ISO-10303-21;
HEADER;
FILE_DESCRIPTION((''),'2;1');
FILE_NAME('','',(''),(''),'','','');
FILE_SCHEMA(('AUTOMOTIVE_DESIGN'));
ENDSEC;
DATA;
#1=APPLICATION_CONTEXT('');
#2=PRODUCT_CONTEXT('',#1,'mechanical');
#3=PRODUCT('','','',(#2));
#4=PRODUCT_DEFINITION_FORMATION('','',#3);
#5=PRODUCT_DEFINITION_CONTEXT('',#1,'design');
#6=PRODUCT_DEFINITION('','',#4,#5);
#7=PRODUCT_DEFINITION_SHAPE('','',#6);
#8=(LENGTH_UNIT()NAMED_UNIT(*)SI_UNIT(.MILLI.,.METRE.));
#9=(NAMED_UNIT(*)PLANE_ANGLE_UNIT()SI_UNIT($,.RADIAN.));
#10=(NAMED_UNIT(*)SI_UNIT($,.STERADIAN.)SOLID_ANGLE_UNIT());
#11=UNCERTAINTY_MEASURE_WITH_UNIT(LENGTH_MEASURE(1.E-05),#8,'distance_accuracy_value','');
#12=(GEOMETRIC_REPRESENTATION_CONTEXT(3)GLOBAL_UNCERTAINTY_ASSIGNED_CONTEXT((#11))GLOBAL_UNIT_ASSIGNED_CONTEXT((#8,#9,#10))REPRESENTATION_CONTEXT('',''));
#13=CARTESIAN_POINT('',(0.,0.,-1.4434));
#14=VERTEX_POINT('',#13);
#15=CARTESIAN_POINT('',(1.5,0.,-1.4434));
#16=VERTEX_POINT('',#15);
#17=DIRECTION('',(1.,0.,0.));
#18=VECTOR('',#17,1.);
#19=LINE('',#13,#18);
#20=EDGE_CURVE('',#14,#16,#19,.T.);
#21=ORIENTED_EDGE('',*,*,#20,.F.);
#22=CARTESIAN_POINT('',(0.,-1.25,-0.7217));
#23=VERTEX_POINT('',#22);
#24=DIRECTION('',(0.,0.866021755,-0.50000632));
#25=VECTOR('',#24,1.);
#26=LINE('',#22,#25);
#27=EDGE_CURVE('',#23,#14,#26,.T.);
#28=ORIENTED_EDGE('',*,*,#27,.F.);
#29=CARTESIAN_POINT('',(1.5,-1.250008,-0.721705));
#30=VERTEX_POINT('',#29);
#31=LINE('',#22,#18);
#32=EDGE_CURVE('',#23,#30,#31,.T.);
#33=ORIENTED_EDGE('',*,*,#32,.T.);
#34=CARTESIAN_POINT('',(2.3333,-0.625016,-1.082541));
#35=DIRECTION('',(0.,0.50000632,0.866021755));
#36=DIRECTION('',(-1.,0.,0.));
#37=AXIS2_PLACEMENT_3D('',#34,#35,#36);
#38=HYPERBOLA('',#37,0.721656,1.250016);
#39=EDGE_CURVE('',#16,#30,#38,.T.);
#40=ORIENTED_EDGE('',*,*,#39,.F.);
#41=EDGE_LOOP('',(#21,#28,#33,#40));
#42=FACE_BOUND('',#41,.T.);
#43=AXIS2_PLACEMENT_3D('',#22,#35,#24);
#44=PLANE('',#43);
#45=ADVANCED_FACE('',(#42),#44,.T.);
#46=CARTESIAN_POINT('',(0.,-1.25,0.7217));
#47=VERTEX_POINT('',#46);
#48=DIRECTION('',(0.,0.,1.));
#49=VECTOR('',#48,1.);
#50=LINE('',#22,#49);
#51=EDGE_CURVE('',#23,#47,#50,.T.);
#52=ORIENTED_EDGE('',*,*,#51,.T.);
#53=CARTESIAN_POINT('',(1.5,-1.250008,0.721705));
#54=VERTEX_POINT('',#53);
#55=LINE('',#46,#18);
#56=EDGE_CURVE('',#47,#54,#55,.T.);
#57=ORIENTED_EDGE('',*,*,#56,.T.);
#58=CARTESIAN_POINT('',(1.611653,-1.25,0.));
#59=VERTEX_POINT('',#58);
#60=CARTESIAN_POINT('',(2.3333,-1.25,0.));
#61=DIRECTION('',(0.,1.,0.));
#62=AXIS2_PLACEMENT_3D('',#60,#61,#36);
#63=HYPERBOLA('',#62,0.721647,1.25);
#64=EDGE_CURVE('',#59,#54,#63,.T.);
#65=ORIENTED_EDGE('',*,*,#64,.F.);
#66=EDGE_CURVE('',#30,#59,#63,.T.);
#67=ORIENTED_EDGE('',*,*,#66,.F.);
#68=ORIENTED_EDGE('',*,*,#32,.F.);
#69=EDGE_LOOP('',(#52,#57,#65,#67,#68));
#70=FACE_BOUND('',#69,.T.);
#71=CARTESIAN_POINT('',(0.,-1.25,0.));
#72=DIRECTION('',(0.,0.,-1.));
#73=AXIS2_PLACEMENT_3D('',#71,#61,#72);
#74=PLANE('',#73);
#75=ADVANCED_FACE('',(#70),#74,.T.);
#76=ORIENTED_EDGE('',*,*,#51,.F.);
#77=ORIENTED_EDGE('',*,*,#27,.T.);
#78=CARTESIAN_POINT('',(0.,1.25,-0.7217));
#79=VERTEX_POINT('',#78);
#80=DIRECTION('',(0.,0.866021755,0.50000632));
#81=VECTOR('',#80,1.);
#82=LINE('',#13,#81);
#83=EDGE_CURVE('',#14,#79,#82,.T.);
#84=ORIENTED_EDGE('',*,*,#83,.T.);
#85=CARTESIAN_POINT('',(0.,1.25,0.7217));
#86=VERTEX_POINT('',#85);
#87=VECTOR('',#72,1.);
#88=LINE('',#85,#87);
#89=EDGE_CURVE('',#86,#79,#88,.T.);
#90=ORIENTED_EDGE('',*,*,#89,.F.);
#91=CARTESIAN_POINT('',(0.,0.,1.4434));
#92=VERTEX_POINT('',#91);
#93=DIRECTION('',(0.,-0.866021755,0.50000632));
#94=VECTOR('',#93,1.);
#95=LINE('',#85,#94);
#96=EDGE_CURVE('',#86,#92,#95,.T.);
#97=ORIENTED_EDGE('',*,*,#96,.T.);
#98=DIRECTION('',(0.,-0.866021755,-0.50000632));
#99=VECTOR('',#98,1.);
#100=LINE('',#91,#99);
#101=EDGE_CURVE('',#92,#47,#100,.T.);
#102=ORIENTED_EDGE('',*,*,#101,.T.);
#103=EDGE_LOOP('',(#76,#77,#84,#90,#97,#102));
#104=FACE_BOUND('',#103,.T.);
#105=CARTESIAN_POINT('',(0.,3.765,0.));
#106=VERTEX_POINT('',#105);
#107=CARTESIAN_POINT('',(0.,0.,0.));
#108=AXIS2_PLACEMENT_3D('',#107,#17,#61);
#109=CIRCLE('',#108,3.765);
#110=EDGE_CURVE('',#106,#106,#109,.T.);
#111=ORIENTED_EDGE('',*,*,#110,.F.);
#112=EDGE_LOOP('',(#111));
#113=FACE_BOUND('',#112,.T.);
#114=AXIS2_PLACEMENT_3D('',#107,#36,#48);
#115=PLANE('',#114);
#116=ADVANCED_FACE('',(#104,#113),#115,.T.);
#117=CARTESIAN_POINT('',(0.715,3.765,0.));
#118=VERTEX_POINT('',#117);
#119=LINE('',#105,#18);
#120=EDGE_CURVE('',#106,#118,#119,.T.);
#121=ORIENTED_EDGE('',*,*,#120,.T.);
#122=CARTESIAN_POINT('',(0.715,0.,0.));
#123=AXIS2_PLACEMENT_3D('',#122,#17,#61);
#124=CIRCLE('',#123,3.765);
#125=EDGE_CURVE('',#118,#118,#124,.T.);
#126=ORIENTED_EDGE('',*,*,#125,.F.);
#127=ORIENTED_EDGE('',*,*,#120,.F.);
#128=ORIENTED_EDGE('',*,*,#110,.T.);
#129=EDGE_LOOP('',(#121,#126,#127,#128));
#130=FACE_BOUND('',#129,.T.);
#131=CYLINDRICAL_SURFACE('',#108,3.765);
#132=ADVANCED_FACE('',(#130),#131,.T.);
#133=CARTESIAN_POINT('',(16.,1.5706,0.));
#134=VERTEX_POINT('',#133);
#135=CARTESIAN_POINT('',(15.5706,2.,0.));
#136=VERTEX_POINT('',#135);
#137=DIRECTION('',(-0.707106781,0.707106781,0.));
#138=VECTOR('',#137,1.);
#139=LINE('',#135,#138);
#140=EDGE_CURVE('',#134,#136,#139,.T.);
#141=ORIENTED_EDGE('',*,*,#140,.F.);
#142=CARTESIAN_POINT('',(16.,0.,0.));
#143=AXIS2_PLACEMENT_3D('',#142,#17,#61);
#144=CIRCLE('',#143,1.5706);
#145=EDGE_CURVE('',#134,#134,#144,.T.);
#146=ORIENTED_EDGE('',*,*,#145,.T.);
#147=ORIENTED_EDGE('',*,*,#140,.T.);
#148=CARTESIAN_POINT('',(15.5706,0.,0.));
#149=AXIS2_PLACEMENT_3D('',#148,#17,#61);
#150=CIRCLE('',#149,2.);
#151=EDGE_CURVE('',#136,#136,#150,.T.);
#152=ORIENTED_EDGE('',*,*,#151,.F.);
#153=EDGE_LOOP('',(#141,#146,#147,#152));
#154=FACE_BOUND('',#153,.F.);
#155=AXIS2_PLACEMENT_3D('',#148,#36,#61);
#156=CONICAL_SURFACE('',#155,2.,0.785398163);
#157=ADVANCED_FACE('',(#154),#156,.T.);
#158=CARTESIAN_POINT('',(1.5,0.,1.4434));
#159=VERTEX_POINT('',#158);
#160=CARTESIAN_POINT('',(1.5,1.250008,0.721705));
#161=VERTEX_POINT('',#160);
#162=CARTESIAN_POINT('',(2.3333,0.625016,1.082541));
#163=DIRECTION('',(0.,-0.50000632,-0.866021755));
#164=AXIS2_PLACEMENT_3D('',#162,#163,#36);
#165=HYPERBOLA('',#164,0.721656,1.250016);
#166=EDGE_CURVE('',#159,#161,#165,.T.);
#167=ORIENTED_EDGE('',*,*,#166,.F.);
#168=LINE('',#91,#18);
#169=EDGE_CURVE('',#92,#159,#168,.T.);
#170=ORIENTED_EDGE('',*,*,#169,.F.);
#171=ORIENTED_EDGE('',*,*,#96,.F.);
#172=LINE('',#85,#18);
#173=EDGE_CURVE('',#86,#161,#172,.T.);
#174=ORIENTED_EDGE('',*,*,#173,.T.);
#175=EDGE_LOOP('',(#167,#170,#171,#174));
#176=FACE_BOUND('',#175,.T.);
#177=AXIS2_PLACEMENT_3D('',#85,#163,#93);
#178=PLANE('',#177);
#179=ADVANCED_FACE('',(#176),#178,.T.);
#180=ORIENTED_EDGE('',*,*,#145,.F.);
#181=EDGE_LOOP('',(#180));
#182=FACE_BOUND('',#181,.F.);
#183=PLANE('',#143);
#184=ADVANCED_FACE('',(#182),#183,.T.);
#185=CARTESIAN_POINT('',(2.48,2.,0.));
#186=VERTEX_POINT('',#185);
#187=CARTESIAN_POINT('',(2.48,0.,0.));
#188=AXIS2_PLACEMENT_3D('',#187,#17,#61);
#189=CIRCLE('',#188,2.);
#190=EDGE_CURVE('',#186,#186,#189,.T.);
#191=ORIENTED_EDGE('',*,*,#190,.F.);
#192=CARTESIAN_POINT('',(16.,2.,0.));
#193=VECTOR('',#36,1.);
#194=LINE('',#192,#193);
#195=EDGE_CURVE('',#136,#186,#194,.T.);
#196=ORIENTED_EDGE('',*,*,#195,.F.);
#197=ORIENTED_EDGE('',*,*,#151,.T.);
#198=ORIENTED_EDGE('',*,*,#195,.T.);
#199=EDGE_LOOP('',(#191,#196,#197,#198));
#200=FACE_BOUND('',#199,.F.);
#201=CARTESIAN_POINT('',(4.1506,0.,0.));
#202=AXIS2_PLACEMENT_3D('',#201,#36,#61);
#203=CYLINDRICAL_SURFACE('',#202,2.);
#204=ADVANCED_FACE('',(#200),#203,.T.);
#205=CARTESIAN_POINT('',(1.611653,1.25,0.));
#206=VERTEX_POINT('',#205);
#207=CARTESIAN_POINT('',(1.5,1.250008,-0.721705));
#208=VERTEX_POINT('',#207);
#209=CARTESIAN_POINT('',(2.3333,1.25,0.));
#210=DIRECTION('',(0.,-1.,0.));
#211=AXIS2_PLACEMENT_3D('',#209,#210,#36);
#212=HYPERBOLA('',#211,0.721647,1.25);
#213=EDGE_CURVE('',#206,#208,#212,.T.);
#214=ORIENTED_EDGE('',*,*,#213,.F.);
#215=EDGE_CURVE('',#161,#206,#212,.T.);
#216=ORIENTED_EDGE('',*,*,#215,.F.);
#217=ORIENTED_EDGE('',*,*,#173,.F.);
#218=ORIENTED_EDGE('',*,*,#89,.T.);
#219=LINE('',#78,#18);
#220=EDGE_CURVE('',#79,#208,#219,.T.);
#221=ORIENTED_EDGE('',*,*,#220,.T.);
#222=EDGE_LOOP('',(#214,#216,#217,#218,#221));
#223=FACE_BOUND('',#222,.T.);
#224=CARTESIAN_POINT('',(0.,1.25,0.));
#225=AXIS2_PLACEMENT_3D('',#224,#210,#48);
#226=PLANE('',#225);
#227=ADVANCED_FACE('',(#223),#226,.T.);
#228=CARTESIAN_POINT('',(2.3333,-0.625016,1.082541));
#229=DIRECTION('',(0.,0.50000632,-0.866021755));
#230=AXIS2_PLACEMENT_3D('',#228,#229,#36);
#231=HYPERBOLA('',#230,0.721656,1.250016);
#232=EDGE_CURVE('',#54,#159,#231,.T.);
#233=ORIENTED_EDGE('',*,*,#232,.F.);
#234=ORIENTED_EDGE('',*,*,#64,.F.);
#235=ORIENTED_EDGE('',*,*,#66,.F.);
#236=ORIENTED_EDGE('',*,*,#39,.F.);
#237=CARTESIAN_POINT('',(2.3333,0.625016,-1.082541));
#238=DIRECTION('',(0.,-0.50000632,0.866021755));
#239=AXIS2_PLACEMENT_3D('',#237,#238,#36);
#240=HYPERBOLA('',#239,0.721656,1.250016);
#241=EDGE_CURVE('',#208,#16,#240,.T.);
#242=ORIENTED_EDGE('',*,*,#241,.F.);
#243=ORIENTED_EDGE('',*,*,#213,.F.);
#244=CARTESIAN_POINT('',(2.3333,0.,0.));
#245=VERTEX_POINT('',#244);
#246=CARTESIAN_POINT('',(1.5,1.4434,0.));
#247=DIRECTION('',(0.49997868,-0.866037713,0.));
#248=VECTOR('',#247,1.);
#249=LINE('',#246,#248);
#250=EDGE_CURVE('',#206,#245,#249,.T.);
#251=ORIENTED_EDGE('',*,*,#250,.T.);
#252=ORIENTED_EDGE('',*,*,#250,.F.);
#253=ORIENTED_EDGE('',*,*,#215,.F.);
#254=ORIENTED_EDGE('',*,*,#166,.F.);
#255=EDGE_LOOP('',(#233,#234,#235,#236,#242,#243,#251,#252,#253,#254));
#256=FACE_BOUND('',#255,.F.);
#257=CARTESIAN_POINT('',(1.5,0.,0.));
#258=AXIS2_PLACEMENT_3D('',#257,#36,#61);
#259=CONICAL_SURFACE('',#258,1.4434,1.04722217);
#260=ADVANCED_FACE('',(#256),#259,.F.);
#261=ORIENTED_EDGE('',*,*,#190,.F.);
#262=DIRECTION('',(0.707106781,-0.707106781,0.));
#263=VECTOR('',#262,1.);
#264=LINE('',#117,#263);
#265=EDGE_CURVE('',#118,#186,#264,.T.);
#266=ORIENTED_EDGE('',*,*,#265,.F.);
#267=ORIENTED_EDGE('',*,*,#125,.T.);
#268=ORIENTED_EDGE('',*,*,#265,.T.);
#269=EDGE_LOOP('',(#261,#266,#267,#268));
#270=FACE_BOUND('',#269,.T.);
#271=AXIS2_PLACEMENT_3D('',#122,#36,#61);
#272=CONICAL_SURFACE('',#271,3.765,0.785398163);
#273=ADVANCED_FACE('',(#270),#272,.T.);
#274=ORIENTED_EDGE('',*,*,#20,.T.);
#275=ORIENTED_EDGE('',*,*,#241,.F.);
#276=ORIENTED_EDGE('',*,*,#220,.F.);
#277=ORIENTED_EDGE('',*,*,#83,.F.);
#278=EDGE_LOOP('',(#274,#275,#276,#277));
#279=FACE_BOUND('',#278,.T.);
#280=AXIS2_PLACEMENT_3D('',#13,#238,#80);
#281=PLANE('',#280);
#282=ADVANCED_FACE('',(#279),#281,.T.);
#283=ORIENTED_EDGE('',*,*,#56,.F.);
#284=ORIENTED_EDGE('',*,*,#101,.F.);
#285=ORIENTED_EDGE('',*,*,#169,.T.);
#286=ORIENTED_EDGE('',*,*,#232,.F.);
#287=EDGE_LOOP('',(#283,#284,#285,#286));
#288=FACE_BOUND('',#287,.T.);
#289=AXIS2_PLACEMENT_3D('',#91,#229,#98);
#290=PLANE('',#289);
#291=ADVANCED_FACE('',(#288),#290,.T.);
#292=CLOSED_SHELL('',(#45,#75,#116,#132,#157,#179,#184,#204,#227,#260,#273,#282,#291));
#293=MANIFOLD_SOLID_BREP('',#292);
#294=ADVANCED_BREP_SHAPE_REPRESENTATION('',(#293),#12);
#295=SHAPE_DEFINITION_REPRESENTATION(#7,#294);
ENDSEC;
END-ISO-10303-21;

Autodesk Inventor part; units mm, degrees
ref_plane "YZ Plane" through (0, 0, 0) normal (1, 0, 0) x (0, 1, 0)
ref_plane "XZ Plane" through (0, 0, 0) normal (0, 1, 0) x (-1, 0, 0)
sketch "Skizze1" plane through (0, 0, 0) normal (0, 0, 1) x (1, 0, 0)
  line L0 (16, 0) -> (16, 2)
  line L1 (16, 2) -> (4.58, 2)
  line L2 (4.58, 2) -> (4.1506, 2)
  line L3 (0, 3.765) -> (0, 1.4434)
  line L4 (0, 1.4434) -> (1.5, 1.4434)
  line L5 (1.5, 1.4434) -> (2.3333, 0)
  line L6 (2.3333, 0) -> (16, 0)
  line L7 (0, 3.765) -> (0.715, 3.765)
  line L8 (0.715, 3.765) -> (2.48, 2)
  line L9 (4.1506, 2) -> (2.48, 2)
  line L10 (4.58, 2) -> (2.48, 2) construction
  line L11 (2.48, 2) -> (2.48, 2)
  line L12 (-3.2, 0) -> (19.2, 0) projected
  line L13 (0, -0.753) -> (0, 4.518) projected
  dimension "d0" = 16
  dimension "d1" = 11.42
  dimension "d2" = 1.5
  dimension "d3" = 4
  dimension "d6" = 2.48
  dimension "d7" = 45
  dimension "d8" = 2.8868
  dimension "d9" = 60
  dimension "d10" = 7.53
  dimension "d11" = 4
  dimension "d12" = 0.4294
revolve "Körper" add sketch "Skizze1" angle 360 about axis through (2.3333, 0, 0) along (1, 0, 0) contours L6 L5 L4 L3 L7 L8 L9 L2 L1 L0
sketch "Skizze2" plane through (0, 0, 0) normal (-1, 0, 0) x (0, 0, 1)
  circle A0 centre (0, 0) radius 1.4434 projected
  line L0 (0, -5.271) -> (0, 5.271) projected
  line L1 (-5.271, 0) -> (5.271, 0) projected
  line L2 (1.4434, 0) -> (0.7217, -1.25)
  line L3 (0.7217, -1.25) -> (-0.7217, -1.25)
  line L4 (-0.7217, -1.25) -> (-1.4434, 0)
  line L5 (-1.4434, 0) -> (-0.7217, 1.25)
  line L6 (-0.7217, 1.25) -> (0.7217, 1.25)
  line L7 (0.7217, 1.25) -> (1.4434, 0)
  point P0 (0, 1.4434)
extrude "Loch" add sketch "Skizze2" against normal up to next contours L7 A0 | A0 L2 | L6 L0 A0 | A0 L0 L3 | L0 L6 A0 | A0 L3 L0 | L4 A0 | A0 L5
thread "Gewinde" size "M4x0.7" class "6g" standard "ISO Metric profile" length 11.42
chamfer "Fase1" distance 0.4294 distance2 0.4294 1 edges at (16, -2, 0) measured on face at (16, 0.2227, -0.5871)
ref_plane "Work Plane1" through (104.775, 0, 0) normal (0, 0, -1) x (1, 0, 0)
equation "\"d15\" = GEL"
equation "\"d17\" = -0.5 * SPD + 0.5 * GD"
equation "\"d18\" = GUL"
equation "\"d0\" = NLG"
equation "\"d1\" = GEL"
equation "\"d2\" = INTI"
equation "\"d3\" = GD"
equation "\"d6\" = KOH"
equation "\"d7\" = 0.5 * SEWI"
equation "\"d8\" = 1.1547 * SW"
equation "\"d10\" = KOD"
equation "\"d11\" = BDM"
equation "\"d12\" = GAL"
equation "\"NLG\" = 16"
equation "\"INTI\" = 1.5"
equation "\"GEL\" = 11.42"
equation "\"GAL\" = 0.61345 * PTC"
equation "\"KOH\" = 2.48"
equation "\"KOD\" = 7.53"
equation "\"GUL\" = 0.61345 * PTC"
equation "\"SPD\" = NND - 1.2269 * PTC"
equation "\"BDM\" = NND"
equation "\"GD\" = NND"
equation "\"SEWI\" = 90deg"
equation "\"SW\" = 2.5"
equation "\"TOA\" = 30deg"
equation "\"GD1\" = THREADDIA - 1.2269 * PTC"
equation "\"EPV\" = 4.58"
equation "\"THREADDIA\" = 4"
equation "\"PTC\" = 0.7"
equation "\"NND\" = 4"
equation "\"E0\" = 2.89"
properties part number "ISO 10642  - M4  x  16" material "Stahl"
